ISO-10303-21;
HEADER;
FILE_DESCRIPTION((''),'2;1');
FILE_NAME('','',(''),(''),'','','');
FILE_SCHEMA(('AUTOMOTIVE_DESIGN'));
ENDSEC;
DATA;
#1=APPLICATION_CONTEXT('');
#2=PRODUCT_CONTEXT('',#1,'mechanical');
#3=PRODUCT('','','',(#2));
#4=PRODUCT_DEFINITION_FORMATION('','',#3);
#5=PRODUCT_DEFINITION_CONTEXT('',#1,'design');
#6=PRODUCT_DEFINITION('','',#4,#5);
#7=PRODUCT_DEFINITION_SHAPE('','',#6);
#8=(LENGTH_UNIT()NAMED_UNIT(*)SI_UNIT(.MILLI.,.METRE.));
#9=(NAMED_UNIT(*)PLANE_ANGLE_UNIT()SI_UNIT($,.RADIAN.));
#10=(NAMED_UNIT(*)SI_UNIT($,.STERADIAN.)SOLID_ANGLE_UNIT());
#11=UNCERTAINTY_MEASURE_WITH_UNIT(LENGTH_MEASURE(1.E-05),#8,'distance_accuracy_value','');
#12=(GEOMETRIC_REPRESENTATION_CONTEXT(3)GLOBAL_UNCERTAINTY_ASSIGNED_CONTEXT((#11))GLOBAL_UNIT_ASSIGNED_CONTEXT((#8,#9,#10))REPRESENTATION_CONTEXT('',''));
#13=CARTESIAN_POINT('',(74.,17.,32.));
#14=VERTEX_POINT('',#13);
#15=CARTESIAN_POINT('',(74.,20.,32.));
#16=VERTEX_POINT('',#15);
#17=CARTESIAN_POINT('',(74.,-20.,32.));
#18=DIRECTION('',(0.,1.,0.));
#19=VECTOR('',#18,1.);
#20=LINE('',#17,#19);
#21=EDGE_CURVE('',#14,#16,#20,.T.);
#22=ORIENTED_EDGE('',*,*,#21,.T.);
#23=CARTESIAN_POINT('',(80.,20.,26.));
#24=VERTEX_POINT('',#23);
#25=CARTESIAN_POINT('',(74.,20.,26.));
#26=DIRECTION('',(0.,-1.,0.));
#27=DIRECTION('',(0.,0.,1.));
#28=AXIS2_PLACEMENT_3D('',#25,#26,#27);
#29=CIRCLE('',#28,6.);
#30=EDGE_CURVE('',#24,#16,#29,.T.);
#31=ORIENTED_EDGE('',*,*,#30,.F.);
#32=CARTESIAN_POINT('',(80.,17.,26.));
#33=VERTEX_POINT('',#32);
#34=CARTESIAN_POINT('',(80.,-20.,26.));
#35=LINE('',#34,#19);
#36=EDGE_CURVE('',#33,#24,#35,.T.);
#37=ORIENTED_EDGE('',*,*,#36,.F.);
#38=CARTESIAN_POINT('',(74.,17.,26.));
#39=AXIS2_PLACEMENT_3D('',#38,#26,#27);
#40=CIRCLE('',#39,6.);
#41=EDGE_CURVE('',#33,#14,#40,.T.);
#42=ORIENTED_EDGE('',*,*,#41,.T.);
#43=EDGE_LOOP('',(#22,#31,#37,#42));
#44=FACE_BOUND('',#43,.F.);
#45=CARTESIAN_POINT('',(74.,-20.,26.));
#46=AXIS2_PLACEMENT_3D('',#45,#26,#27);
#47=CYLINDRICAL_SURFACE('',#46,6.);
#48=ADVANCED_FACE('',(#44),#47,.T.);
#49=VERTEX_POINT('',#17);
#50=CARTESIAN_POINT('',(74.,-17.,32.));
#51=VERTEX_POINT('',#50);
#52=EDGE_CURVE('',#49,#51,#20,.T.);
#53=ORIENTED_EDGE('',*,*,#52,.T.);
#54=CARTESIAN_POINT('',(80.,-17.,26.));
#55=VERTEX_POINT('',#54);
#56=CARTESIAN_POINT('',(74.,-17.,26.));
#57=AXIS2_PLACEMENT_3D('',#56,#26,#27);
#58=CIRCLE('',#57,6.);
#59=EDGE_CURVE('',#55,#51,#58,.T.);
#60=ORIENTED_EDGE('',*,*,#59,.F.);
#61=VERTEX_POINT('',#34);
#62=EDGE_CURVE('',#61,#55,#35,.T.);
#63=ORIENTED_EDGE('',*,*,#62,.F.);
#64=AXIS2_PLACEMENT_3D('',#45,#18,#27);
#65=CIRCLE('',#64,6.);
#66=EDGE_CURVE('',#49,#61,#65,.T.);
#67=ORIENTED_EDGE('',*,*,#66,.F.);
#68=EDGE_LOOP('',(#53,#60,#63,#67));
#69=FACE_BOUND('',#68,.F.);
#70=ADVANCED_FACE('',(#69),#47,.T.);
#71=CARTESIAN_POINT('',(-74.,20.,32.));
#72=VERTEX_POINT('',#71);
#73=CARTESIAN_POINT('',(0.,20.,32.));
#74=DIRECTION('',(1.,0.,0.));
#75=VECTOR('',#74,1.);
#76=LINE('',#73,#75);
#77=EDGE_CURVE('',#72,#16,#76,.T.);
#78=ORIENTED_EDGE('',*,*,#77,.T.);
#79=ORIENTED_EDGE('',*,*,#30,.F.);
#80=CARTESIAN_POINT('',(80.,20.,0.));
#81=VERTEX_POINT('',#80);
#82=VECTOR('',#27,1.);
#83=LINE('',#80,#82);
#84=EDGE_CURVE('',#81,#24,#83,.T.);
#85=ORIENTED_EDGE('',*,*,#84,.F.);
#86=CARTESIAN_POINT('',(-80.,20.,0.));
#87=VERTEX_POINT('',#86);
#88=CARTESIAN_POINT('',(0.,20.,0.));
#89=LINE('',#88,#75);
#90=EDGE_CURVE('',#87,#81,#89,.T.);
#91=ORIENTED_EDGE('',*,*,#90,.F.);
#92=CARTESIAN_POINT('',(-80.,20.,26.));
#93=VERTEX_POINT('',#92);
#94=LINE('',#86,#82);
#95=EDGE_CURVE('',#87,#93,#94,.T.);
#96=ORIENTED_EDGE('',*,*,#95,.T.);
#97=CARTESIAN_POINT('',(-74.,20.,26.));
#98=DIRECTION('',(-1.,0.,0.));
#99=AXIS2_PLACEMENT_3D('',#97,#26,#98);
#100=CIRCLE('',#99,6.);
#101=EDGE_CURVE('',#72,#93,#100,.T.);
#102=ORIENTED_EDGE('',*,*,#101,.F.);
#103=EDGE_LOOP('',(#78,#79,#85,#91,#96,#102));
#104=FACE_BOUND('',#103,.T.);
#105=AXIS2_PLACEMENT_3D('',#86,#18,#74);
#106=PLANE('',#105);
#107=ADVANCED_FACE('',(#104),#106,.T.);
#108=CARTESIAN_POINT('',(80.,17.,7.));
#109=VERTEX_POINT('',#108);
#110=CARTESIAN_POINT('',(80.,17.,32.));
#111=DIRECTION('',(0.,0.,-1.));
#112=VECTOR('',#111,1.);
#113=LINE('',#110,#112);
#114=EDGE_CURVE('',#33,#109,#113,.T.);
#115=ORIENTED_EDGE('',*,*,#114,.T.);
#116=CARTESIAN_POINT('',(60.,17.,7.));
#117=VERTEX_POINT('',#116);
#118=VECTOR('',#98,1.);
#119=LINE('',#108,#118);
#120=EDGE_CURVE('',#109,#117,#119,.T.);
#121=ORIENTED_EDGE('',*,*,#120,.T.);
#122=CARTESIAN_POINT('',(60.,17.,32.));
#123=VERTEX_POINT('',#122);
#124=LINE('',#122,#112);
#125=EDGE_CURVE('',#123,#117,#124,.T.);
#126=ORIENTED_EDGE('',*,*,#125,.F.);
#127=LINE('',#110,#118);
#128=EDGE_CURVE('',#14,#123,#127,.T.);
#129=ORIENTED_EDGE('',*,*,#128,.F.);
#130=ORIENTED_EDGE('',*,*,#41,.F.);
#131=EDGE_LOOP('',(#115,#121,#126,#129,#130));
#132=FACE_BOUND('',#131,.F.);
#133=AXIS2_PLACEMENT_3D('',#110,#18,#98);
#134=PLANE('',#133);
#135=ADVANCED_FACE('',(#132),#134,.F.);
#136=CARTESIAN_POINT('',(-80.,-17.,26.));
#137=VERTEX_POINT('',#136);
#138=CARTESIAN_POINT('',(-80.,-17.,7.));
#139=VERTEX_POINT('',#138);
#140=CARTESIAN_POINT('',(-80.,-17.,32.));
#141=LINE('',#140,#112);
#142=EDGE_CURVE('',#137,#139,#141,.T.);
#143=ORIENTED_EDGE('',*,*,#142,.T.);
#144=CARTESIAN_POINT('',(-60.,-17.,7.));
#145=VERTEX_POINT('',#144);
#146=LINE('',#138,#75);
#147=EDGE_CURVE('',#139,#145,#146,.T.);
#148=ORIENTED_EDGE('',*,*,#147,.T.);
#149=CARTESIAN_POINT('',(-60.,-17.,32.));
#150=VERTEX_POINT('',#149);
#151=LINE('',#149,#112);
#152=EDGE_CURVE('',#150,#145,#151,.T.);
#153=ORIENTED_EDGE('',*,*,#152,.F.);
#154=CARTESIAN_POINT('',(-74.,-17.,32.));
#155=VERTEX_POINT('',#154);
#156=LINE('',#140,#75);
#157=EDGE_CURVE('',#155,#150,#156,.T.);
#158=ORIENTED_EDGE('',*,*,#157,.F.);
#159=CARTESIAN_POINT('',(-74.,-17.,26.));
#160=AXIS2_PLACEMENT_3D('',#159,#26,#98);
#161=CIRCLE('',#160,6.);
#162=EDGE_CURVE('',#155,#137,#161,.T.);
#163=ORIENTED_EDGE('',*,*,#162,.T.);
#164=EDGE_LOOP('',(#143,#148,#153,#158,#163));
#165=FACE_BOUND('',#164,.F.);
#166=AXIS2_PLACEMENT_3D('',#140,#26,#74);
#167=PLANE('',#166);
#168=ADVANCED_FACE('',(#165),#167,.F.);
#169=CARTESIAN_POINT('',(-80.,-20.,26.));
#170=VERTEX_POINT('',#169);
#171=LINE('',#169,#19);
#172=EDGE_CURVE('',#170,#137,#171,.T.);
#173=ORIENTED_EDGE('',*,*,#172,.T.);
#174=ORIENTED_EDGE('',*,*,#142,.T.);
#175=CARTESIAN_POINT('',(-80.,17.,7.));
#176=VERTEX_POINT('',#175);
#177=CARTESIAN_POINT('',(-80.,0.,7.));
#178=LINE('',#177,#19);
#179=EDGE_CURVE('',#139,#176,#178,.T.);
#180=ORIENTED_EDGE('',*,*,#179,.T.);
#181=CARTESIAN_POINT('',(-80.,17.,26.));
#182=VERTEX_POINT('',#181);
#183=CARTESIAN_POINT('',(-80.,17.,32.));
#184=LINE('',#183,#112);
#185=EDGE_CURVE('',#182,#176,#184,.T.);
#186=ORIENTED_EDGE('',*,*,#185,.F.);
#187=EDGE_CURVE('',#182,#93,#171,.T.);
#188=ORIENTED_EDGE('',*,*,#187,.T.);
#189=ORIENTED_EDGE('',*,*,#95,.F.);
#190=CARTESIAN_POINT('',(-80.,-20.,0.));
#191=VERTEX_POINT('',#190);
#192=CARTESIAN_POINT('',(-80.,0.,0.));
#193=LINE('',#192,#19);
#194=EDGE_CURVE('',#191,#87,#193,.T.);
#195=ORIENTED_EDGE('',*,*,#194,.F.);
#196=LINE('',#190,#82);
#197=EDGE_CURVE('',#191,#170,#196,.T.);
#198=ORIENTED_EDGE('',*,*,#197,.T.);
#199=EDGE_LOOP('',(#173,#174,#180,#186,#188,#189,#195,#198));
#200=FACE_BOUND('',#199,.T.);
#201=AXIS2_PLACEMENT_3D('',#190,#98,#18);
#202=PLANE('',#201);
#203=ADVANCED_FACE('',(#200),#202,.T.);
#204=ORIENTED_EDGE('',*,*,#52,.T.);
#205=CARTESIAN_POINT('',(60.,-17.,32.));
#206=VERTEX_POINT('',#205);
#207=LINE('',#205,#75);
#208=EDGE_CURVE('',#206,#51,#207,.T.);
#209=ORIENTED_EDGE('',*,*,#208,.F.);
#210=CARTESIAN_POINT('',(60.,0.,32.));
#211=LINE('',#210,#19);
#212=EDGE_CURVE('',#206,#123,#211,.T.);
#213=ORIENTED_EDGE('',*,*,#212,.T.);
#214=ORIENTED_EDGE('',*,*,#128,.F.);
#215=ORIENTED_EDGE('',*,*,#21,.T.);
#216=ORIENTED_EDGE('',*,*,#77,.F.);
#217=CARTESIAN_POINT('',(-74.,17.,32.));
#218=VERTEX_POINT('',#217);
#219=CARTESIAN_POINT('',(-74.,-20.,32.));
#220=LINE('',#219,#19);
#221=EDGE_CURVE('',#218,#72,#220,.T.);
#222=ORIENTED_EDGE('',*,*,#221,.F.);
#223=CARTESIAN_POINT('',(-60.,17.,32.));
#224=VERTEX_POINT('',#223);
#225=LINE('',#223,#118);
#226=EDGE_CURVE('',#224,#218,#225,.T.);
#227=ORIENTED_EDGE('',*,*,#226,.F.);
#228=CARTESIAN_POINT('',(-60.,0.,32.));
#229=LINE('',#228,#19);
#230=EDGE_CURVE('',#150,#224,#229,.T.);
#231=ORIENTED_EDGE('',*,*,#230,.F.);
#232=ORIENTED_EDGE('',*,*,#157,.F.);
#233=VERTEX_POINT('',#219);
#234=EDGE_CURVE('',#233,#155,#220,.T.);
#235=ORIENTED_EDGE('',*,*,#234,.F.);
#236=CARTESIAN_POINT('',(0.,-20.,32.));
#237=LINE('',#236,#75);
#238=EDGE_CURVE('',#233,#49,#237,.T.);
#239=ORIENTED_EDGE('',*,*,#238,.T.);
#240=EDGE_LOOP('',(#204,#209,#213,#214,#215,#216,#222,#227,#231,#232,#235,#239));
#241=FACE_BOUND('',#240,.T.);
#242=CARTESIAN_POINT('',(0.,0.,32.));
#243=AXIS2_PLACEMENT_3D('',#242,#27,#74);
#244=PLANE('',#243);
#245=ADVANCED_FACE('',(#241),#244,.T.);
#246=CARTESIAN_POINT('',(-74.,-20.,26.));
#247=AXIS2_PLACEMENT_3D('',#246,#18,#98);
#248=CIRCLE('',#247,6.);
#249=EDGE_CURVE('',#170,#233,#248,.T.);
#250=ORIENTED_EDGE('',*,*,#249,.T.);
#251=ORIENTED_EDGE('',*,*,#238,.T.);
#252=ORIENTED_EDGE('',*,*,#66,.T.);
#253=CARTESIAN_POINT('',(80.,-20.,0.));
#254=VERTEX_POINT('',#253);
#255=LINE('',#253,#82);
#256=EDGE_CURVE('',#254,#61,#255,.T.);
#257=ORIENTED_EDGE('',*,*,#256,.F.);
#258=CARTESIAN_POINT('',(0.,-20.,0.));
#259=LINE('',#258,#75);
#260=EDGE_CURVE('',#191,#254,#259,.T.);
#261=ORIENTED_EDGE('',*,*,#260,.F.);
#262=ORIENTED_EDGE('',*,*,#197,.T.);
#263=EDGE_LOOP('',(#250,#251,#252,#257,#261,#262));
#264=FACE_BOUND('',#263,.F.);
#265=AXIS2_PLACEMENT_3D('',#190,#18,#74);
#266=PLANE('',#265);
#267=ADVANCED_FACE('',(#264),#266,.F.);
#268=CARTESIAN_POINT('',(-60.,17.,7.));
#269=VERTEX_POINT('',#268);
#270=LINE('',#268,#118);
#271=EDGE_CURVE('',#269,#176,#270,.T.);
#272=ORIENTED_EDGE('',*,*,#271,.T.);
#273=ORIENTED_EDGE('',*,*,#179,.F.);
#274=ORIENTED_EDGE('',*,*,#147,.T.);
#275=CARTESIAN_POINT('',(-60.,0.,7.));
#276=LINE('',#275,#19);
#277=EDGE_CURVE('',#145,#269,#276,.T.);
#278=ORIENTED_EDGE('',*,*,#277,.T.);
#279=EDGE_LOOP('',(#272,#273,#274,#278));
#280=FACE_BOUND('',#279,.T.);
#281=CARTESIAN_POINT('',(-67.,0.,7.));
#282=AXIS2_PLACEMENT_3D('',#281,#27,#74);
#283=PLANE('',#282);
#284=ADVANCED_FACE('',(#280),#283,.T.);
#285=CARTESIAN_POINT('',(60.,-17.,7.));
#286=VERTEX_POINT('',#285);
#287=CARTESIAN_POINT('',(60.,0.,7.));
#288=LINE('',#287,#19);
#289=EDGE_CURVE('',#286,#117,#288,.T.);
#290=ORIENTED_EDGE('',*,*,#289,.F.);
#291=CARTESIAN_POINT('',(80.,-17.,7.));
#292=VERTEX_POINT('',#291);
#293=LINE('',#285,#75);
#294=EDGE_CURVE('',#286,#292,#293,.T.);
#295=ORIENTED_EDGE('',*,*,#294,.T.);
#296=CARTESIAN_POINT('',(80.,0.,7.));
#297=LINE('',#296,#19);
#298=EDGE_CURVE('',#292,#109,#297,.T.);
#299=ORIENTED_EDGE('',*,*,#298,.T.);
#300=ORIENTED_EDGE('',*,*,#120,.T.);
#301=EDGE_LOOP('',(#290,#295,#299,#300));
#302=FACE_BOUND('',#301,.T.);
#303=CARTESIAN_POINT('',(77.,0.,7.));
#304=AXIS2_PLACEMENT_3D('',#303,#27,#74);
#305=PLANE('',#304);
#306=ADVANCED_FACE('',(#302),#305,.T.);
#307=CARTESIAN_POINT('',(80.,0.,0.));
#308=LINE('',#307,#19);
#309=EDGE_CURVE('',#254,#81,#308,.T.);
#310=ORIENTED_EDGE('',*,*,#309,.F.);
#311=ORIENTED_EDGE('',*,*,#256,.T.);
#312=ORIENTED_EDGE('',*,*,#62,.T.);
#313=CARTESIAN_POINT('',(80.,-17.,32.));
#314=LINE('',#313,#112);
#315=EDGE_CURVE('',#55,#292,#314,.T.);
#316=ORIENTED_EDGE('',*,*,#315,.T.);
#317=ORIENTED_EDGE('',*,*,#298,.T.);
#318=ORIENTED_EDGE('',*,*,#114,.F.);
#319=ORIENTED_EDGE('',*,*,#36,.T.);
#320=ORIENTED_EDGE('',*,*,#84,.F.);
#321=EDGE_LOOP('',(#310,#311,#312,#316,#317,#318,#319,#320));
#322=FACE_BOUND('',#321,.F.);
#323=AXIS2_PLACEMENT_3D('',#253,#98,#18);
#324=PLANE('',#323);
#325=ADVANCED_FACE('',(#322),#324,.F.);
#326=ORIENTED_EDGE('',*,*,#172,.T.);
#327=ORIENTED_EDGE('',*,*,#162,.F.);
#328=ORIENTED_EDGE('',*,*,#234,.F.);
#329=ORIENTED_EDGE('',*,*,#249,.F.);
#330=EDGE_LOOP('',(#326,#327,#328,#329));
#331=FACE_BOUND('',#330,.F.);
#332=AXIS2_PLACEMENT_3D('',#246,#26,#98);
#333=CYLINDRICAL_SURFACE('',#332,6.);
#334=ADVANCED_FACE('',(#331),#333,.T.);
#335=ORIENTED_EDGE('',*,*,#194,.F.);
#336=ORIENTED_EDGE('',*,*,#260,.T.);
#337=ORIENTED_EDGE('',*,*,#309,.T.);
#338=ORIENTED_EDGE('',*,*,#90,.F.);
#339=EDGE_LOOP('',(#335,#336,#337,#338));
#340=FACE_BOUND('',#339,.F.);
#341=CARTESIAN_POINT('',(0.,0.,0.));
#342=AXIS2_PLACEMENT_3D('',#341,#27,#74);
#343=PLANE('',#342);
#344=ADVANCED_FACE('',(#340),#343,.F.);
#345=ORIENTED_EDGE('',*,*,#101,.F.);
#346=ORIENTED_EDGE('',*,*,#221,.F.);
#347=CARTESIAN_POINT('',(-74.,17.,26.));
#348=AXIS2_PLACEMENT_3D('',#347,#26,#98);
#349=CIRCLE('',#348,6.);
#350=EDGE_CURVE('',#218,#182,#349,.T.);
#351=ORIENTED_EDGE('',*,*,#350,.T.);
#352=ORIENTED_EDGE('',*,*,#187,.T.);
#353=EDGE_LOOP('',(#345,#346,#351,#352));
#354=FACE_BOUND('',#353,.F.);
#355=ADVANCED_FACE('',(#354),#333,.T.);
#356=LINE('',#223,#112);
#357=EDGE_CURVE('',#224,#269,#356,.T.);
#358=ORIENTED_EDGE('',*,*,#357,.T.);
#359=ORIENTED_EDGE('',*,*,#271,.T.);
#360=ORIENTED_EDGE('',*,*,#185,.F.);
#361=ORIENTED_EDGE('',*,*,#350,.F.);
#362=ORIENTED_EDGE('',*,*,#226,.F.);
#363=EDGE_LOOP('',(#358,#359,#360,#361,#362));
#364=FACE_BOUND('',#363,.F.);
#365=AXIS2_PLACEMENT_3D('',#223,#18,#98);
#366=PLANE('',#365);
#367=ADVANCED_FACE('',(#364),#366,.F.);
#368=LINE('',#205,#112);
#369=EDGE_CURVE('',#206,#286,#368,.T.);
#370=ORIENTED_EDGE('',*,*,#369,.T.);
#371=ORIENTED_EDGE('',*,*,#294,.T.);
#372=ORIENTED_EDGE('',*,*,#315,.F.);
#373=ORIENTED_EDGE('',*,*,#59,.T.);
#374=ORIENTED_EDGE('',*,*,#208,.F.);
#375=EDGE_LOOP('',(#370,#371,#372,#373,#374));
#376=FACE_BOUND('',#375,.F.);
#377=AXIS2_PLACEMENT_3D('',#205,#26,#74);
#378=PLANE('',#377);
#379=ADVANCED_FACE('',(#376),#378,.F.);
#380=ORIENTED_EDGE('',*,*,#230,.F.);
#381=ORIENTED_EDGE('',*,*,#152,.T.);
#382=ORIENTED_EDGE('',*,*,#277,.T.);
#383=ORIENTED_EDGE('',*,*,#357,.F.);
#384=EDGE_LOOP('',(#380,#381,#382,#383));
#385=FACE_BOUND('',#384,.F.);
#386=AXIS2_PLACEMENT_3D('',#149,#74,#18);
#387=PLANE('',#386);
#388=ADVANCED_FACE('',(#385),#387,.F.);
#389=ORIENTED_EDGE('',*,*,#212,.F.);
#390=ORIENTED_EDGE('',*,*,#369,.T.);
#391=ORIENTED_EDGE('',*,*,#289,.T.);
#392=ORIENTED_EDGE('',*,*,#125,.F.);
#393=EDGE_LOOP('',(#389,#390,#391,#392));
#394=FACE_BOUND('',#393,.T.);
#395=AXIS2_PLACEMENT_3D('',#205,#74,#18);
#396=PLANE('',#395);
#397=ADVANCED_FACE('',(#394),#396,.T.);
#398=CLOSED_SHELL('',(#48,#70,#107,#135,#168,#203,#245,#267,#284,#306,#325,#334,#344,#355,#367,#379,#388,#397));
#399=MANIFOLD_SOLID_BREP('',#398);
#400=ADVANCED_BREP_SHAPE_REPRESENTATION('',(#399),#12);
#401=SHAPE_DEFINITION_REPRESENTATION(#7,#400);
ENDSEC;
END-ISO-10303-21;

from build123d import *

# Parameters (mm, degrees)
F0_W     = 160
F0_H     = 40
F1_DEPTH = 32
F3_DEPTH = 40.001
F4_W     = 6
F4_H     = 34
F4_W_2   = 14
F5_DEPTH = 25


with BuildPart() as f1:
    # F0 (on Top) → F1 (new body)
    with BuildSketch(Plane.XY):
        Rectangle(F0_W, F0_H)
    extrude(amount=F1_DEPTH)

    # F2 (on face) → F3 (cut, through all)
    with BuildSketch(Plane.XZ.offset(20)):
        with BuildLine():
            ThreePointArc((-80, 26), (-78.2426406871, 30.2426406871), (-74, 32))
            Line((-74, 32), (-80, 32))
            Line((-80, 32), (-80, 26))
        make_face()
        with BuildLine():
            Line((80, 32), (74, 32))
            ThreePointArc((74, 32), (78.2426406871, 30.2426406871), (80, 26))
            Line((80, 26), (80, 32))
        make_face()
    extrude(amount=-F3_DEPTH, mode=Mode.SUBTRACT)

    # F4 (on face) → F5 (cut)
    with BuildSketch(Plane.XY.offset(32)):
        with Locations((77, 0)):
            Rectangle(F4_W, F4_H)
        with Locations((-67, 0)):
            Rectangle(F4_W_2, F4_H)
        with Locations((67, 0)):
            Rectangle(F4_W_2, F4_H)
        with Locations((-77, 0)):
            Rectangle(F4_W, F4_H)
    extrude(amount=-F5_DEPTH, mode=Mode.SUBTRACT)


solid = f1.part
